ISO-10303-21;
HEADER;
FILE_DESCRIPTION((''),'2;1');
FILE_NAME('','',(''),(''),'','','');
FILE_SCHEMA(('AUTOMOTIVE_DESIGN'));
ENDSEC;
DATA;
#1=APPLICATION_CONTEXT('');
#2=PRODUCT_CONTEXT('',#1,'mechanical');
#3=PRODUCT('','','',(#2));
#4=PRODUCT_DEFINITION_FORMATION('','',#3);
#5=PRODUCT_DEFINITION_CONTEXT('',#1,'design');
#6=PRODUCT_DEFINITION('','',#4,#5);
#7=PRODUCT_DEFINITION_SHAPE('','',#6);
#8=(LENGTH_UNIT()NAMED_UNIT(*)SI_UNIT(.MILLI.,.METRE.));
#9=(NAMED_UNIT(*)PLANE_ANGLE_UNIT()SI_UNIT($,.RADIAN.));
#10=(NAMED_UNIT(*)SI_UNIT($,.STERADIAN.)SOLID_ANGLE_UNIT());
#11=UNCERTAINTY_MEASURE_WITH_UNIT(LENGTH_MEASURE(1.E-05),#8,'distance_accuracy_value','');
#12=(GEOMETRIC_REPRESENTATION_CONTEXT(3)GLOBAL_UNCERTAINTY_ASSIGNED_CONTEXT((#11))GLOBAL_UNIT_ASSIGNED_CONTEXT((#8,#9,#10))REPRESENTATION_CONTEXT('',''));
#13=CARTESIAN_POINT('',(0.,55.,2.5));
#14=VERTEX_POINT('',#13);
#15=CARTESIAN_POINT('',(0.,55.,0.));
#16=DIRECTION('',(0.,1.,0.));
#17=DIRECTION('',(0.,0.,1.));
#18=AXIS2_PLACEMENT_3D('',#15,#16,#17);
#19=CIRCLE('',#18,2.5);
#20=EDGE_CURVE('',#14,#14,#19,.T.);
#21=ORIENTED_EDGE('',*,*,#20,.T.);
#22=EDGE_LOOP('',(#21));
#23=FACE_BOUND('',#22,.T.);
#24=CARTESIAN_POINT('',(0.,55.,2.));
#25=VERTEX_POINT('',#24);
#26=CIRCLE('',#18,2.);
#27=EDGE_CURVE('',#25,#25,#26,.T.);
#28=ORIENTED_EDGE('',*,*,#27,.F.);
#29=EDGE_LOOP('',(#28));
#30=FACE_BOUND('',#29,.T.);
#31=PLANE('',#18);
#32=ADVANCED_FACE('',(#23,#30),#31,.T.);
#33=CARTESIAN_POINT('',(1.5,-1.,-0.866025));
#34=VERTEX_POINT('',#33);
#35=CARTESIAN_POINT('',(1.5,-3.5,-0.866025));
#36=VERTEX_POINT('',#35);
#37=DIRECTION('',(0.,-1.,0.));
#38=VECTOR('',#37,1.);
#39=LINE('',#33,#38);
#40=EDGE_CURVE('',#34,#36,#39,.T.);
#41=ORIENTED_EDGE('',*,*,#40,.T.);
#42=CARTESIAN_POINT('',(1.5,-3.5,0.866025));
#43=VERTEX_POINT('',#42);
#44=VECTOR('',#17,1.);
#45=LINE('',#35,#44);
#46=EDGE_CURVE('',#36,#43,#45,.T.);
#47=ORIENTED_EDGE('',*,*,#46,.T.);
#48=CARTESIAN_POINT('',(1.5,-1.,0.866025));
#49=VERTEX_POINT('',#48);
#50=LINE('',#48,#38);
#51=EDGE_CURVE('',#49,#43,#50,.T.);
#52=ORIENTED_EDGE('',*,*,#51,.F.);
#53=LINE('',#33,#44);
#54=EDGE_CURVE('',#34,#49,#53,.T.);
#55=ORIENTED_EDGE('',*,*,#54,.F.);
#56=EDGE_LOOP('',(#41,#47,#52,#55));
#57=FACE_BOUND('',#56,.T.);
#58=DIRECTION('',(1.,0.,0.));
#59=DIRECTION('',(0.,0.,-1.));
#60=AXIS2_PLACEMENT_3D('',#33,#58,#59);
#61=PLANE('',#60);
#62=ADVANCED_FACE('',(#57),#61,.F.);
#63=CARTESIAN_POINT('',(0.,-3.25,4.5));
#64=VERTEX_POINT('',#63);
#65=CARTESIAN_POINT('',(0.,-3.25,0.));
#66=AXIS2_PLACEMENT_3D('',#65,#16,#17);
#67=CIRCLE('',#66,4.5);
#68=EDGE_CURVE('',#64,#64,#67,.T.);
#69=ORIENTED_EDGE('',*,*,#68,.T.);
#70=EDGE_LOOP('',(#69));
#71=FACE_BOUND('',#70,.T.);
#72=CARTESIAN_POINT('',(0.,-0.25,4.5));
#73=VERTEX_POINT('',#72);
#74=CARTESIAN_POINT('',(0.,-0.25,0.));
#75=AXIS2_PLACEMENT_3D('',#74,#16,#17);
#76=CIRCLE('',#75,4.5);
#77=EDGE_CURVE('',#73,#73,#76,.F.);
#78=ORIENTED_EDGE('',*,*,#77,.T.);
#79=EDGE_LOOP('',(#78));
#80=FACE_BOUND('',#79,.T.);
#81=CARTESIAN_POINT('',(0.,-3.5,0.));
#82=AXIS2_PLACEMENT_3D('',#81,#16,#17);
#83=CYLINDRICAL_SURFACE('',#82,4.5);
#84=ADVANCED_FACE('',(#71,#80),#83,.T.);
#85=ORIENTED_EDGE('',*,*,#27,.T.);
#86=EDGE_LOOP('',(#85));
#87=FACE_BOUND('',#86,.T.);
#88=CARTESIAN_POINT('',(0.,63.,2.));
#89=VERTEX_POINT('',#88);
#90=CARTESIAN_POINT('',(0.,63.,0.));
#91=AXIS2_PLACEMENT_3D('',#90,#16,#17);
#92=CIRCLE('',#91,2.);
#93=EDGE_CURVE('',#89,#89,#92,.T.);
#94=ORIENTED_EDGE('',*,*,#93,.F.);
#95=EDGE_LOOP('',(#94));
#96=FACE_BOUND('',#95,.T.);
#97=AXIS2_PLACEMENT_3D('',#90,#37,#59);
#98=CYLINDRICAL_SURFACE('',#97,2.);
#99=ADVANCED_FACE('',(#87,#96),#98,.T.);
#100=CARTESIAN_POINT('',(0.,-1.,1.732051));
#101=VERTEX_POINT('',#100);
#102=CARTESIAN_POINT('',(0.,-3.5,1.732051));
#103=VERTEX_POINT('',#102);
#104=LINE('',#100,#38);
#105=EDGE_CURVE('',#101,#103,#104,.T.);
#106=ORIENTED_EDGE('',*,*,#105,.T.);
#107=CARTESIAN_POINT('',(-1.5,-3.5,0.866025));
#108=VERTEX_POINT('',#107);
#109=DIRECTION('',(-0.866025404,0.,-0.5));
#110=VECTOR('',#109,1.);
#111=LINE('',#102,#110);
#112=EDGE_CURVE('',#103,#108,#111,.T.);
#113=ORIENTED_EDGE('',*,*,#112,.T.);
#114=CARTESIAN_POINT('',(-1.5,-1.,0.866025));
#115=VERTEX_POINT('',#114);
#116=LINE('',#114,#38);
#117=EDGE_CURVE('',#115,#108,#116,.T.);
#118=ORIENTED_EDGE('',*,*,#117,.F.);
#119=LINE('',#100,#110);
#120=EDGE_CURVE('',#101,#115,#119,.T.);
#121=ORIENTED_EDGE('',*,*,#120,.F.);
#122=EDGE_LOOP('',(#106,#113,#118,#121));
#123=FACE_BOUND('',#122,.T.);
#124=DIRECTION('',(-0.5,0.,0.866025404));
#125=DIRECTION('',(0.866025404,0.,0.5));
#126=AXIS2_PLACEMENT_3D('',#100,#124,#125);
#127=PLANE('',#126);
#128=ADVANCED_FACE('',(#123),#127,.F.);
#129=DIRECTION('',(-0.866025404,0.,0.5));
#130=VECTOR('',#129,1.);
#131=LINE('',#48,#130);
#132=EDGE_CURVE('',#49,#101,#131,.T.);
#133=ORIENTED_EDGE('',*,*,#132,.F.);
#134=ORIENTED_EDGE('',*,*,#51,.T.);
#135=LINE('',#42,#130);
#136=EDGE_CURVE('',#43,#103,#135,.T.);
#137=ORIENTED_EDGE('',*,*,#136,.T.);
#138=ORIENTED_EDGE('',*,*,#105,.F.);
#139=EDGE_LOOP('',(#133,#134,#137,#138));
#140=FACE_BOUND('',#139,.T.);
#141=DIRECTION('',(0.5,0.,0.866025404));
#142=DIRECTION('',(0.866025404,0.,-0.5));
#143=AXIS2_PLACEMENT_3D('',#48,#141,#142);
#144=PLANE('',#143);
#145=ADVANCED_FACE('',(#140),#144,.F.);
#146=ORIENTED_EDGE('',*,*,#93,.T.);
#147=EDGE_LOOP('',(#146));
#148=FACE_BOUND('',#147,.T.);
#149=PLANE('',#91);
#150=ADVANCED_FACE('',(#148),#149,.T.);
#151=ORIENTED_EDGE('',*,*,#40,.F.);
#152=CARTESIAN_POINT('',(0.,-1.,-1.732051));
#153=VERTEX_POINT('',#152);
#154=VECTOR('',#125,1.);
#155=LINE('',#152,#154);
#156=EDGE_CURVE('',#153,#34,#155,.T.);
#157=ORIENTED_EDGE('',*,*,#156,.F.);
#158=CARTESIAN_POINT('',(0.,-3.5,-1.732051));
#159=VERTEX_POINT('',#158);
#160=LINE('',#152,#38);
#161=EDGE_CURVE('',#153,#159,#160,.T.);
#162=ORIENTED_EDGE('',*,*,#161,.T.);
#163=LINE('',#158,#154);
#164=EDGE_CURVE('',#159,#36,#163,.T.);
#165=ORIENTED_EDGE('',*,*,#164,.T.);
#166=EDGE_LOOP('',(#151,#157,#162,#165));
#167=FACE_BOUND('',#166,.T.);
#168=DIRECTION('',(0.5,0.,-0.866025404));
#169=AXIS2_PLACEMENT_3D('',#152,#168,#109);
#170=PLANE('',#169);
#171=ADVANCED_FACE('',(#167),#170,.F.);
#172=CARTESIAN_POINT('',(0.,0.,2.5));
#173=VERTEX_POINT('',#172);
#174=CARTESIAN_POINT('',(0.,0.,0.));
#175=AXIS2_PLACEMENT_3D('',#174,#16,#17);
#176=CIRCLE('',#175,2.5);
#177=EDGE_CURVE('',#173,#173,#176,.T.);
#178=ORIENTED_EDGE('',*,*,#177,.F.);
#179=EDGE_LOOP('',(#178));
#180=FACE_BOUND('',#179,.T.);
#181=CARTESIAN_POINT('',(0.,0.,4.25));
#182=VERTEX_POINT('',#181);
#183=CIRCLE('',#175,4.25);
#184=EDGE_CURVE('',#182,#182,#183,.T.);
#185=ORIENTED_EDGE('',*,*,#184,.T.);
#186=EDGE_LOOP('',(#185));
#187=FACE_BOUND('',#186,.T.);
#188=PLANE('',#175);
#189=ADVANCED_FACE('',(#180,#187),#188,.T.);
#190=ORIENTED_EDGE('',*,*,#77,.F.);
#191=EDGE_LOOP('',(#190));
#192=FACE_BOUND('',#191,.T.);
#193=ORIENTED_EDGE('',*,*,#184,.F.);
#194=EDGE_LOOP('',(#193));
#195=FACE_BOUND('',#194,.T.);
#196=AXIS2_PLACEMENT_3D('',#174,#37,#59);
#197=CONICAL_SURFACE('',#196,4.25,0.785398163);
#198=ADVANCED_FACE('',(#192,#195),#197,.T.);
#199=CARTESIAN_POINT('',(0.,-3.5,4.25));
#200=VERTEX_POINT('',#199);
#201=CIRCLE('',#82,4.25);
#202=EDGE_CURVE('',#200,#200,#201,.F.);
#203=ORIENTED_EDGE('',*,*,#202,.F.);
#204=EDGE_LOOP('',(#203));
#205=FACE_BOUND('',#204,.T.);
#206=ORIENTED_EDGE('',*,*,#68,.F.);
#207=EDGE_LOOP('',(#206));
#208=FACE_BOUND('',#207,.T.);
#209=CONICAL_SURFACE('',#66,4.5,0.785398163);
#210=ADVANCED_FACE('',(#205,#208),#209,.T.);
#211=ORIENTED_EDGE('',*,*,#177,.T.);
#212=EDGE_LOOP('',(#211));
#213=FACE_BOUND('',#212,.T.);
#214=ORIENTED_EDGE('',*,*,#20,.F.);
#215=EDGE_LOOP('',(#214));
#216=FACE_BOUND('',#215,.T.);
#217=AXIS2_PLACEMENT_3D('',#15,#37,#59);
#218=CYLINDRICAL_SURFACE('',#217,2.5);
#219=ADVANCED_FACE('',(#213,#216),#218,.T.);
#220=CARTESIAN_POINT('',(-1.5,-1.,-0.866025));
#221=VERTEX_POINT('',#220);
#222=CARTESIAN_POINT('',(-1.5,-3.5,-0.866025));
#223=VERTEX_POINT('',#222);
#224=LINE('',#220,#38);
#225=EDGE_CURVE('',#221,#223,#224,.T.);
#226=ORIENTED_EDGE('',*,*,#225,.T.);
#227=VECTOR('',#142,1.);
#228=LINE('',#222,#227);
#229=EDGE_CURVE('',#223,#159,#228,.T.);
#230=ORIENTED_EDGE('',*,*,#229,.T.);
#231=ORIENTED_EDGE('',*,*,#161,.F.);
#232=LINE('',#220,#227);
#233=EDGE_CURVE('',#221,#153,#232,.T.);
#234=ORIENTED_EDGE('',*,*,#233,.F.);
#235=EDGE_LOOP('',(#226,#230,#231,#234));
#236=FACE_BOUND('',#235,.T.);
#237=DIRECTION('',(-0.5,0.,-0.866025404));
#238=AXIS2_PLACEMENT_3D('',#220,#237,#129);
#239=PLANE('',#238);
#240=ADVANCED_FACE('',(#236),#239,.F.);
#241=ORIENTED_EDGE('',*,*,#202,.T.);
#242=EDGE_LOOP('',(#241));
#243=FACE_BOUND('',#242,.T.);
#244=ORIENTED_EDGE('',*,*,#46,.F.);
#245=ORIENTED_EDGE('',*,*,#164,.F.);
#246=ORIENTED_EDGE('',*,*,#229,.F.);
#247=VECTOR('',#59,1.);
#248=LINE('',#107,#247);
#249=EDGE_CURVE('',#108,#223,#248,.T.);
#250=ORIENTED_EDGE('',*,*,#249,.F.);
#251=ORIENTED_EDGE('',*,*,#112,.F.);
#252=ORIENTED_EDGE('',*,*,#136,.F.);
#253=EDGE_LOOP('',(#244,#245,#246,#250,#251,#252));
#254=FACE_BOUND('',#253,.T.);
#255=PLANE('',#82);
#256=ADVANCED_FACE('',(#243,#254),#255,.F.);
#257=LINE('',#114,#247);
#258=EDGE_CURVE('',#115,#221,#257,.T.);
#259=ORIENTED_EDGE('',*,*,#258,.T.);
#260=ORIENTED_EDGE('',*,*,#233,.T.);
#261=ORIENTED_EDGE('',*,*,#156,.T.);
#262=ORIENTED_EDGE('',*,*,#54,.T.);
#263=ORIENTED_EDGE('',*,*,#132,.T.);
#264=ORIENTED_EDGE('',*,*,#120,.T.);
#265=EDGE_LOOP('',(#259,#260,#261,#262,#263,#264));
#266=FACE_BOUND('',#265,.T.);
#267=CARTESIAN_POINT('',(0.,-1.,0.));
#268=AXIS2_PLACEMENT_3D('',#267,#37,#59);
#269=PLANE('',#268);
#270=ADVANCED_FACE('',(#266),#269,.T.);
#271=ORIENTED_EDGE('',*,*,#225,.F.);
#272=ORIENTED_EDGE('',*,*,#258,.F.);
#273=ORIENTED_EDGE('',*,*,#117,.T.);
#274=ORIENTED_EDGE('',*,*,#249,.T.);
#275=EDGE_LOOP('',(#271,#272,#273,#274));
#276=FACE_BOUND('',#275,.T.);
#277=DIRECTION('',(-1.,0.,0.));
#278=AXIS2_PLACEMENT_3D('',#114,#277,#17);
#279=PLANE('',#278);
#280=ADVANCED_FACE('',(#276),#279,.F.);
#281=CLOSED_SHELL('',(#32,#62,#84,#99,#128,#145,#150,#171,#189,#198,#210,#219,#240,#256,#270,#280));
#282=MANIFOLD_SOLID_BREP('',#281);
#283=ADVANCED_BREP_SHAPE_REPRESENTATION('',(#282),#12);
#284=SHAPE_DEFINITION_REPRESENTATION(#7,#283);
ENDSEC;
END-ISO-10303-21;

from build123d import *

# Parameters (mm, degrees)
SKETCH_1_R          = 4.5
EXTRUDE_1_DEPTH     = 3.5
SKETCH_2_R          = 2.5
EXTRUDE_2_DEPTH     = 55
SKETCH_3_R          = 2
EXTRUDE_3_DEPTH     = 8
CUT_EXTRUDE_1_DEPTH = 2.5
CHAMFER_1_SIZE      = 0.25


with BuildPart() as part:
    # 草图1 → 凸台-拉伸1 (new body)
    with BuildSketch(Plane(origin=(0, 0, 0), x_dir=(1, 0, 0), z_dir=(0, 1, 0))):
        with Locations(Location((0, 0, 0), (0, 0, 270))):
            Circle(SKETCH_1_R)
    extrude(amount=-EXTRUDE_1_DEPTH)

    # 草图2 → 凸台-拉伸2 (add)
    with BuildSketch(Plane(origin=(0, 0, 0), x_dir=(1, 0, 0), z_dir=(0, 1, 0))):
        with Locations(Location((0, 0, 0), (0, 0, 270))):
            Circle(SKETCH_2_R)
    extrude(amount=EXTRUDE_2_DEPTH)

    # 草图3 → 凸台-拉伸3 (add)
    with BuildSketch(Plane(origin=(0, 55, 0), x_dir=(1, 0, 0), z_dir=(0, 1, 0))):
        with Locations(Location((0, 0, 0), (0, 0, 270))):
            Circle(SKETCH_3_R)
    extrude(amount=EXTRUDE_3_DEPTH)

    # 草图4 → 切除-拉伸1 (cut)
    with BuildSketch(Plane.XZ.offset(3.5)):
        Polygon((1.5, -0.866025404), (1.5, 0.866025404), (0, 1.732050808), (-1.5, 0.866025404), (-1.5, -0.866025404), (0, -1.732050808), align=None)
    extrude(amount=-CUT_EXTRUDE_1_DEPTH, mode=Mode.SUBTRACT)

    # 倒角1
    chamfer_1_edges = [part.edges().sort_by_distance(p)[0] for p in [
        (0, 0, -4.5),
        (0, -3.5, -4.5),
    ]]
    chamfer(chamfer_1_edges, length=CHAMFER_1_SIZE)


solid = part.part
